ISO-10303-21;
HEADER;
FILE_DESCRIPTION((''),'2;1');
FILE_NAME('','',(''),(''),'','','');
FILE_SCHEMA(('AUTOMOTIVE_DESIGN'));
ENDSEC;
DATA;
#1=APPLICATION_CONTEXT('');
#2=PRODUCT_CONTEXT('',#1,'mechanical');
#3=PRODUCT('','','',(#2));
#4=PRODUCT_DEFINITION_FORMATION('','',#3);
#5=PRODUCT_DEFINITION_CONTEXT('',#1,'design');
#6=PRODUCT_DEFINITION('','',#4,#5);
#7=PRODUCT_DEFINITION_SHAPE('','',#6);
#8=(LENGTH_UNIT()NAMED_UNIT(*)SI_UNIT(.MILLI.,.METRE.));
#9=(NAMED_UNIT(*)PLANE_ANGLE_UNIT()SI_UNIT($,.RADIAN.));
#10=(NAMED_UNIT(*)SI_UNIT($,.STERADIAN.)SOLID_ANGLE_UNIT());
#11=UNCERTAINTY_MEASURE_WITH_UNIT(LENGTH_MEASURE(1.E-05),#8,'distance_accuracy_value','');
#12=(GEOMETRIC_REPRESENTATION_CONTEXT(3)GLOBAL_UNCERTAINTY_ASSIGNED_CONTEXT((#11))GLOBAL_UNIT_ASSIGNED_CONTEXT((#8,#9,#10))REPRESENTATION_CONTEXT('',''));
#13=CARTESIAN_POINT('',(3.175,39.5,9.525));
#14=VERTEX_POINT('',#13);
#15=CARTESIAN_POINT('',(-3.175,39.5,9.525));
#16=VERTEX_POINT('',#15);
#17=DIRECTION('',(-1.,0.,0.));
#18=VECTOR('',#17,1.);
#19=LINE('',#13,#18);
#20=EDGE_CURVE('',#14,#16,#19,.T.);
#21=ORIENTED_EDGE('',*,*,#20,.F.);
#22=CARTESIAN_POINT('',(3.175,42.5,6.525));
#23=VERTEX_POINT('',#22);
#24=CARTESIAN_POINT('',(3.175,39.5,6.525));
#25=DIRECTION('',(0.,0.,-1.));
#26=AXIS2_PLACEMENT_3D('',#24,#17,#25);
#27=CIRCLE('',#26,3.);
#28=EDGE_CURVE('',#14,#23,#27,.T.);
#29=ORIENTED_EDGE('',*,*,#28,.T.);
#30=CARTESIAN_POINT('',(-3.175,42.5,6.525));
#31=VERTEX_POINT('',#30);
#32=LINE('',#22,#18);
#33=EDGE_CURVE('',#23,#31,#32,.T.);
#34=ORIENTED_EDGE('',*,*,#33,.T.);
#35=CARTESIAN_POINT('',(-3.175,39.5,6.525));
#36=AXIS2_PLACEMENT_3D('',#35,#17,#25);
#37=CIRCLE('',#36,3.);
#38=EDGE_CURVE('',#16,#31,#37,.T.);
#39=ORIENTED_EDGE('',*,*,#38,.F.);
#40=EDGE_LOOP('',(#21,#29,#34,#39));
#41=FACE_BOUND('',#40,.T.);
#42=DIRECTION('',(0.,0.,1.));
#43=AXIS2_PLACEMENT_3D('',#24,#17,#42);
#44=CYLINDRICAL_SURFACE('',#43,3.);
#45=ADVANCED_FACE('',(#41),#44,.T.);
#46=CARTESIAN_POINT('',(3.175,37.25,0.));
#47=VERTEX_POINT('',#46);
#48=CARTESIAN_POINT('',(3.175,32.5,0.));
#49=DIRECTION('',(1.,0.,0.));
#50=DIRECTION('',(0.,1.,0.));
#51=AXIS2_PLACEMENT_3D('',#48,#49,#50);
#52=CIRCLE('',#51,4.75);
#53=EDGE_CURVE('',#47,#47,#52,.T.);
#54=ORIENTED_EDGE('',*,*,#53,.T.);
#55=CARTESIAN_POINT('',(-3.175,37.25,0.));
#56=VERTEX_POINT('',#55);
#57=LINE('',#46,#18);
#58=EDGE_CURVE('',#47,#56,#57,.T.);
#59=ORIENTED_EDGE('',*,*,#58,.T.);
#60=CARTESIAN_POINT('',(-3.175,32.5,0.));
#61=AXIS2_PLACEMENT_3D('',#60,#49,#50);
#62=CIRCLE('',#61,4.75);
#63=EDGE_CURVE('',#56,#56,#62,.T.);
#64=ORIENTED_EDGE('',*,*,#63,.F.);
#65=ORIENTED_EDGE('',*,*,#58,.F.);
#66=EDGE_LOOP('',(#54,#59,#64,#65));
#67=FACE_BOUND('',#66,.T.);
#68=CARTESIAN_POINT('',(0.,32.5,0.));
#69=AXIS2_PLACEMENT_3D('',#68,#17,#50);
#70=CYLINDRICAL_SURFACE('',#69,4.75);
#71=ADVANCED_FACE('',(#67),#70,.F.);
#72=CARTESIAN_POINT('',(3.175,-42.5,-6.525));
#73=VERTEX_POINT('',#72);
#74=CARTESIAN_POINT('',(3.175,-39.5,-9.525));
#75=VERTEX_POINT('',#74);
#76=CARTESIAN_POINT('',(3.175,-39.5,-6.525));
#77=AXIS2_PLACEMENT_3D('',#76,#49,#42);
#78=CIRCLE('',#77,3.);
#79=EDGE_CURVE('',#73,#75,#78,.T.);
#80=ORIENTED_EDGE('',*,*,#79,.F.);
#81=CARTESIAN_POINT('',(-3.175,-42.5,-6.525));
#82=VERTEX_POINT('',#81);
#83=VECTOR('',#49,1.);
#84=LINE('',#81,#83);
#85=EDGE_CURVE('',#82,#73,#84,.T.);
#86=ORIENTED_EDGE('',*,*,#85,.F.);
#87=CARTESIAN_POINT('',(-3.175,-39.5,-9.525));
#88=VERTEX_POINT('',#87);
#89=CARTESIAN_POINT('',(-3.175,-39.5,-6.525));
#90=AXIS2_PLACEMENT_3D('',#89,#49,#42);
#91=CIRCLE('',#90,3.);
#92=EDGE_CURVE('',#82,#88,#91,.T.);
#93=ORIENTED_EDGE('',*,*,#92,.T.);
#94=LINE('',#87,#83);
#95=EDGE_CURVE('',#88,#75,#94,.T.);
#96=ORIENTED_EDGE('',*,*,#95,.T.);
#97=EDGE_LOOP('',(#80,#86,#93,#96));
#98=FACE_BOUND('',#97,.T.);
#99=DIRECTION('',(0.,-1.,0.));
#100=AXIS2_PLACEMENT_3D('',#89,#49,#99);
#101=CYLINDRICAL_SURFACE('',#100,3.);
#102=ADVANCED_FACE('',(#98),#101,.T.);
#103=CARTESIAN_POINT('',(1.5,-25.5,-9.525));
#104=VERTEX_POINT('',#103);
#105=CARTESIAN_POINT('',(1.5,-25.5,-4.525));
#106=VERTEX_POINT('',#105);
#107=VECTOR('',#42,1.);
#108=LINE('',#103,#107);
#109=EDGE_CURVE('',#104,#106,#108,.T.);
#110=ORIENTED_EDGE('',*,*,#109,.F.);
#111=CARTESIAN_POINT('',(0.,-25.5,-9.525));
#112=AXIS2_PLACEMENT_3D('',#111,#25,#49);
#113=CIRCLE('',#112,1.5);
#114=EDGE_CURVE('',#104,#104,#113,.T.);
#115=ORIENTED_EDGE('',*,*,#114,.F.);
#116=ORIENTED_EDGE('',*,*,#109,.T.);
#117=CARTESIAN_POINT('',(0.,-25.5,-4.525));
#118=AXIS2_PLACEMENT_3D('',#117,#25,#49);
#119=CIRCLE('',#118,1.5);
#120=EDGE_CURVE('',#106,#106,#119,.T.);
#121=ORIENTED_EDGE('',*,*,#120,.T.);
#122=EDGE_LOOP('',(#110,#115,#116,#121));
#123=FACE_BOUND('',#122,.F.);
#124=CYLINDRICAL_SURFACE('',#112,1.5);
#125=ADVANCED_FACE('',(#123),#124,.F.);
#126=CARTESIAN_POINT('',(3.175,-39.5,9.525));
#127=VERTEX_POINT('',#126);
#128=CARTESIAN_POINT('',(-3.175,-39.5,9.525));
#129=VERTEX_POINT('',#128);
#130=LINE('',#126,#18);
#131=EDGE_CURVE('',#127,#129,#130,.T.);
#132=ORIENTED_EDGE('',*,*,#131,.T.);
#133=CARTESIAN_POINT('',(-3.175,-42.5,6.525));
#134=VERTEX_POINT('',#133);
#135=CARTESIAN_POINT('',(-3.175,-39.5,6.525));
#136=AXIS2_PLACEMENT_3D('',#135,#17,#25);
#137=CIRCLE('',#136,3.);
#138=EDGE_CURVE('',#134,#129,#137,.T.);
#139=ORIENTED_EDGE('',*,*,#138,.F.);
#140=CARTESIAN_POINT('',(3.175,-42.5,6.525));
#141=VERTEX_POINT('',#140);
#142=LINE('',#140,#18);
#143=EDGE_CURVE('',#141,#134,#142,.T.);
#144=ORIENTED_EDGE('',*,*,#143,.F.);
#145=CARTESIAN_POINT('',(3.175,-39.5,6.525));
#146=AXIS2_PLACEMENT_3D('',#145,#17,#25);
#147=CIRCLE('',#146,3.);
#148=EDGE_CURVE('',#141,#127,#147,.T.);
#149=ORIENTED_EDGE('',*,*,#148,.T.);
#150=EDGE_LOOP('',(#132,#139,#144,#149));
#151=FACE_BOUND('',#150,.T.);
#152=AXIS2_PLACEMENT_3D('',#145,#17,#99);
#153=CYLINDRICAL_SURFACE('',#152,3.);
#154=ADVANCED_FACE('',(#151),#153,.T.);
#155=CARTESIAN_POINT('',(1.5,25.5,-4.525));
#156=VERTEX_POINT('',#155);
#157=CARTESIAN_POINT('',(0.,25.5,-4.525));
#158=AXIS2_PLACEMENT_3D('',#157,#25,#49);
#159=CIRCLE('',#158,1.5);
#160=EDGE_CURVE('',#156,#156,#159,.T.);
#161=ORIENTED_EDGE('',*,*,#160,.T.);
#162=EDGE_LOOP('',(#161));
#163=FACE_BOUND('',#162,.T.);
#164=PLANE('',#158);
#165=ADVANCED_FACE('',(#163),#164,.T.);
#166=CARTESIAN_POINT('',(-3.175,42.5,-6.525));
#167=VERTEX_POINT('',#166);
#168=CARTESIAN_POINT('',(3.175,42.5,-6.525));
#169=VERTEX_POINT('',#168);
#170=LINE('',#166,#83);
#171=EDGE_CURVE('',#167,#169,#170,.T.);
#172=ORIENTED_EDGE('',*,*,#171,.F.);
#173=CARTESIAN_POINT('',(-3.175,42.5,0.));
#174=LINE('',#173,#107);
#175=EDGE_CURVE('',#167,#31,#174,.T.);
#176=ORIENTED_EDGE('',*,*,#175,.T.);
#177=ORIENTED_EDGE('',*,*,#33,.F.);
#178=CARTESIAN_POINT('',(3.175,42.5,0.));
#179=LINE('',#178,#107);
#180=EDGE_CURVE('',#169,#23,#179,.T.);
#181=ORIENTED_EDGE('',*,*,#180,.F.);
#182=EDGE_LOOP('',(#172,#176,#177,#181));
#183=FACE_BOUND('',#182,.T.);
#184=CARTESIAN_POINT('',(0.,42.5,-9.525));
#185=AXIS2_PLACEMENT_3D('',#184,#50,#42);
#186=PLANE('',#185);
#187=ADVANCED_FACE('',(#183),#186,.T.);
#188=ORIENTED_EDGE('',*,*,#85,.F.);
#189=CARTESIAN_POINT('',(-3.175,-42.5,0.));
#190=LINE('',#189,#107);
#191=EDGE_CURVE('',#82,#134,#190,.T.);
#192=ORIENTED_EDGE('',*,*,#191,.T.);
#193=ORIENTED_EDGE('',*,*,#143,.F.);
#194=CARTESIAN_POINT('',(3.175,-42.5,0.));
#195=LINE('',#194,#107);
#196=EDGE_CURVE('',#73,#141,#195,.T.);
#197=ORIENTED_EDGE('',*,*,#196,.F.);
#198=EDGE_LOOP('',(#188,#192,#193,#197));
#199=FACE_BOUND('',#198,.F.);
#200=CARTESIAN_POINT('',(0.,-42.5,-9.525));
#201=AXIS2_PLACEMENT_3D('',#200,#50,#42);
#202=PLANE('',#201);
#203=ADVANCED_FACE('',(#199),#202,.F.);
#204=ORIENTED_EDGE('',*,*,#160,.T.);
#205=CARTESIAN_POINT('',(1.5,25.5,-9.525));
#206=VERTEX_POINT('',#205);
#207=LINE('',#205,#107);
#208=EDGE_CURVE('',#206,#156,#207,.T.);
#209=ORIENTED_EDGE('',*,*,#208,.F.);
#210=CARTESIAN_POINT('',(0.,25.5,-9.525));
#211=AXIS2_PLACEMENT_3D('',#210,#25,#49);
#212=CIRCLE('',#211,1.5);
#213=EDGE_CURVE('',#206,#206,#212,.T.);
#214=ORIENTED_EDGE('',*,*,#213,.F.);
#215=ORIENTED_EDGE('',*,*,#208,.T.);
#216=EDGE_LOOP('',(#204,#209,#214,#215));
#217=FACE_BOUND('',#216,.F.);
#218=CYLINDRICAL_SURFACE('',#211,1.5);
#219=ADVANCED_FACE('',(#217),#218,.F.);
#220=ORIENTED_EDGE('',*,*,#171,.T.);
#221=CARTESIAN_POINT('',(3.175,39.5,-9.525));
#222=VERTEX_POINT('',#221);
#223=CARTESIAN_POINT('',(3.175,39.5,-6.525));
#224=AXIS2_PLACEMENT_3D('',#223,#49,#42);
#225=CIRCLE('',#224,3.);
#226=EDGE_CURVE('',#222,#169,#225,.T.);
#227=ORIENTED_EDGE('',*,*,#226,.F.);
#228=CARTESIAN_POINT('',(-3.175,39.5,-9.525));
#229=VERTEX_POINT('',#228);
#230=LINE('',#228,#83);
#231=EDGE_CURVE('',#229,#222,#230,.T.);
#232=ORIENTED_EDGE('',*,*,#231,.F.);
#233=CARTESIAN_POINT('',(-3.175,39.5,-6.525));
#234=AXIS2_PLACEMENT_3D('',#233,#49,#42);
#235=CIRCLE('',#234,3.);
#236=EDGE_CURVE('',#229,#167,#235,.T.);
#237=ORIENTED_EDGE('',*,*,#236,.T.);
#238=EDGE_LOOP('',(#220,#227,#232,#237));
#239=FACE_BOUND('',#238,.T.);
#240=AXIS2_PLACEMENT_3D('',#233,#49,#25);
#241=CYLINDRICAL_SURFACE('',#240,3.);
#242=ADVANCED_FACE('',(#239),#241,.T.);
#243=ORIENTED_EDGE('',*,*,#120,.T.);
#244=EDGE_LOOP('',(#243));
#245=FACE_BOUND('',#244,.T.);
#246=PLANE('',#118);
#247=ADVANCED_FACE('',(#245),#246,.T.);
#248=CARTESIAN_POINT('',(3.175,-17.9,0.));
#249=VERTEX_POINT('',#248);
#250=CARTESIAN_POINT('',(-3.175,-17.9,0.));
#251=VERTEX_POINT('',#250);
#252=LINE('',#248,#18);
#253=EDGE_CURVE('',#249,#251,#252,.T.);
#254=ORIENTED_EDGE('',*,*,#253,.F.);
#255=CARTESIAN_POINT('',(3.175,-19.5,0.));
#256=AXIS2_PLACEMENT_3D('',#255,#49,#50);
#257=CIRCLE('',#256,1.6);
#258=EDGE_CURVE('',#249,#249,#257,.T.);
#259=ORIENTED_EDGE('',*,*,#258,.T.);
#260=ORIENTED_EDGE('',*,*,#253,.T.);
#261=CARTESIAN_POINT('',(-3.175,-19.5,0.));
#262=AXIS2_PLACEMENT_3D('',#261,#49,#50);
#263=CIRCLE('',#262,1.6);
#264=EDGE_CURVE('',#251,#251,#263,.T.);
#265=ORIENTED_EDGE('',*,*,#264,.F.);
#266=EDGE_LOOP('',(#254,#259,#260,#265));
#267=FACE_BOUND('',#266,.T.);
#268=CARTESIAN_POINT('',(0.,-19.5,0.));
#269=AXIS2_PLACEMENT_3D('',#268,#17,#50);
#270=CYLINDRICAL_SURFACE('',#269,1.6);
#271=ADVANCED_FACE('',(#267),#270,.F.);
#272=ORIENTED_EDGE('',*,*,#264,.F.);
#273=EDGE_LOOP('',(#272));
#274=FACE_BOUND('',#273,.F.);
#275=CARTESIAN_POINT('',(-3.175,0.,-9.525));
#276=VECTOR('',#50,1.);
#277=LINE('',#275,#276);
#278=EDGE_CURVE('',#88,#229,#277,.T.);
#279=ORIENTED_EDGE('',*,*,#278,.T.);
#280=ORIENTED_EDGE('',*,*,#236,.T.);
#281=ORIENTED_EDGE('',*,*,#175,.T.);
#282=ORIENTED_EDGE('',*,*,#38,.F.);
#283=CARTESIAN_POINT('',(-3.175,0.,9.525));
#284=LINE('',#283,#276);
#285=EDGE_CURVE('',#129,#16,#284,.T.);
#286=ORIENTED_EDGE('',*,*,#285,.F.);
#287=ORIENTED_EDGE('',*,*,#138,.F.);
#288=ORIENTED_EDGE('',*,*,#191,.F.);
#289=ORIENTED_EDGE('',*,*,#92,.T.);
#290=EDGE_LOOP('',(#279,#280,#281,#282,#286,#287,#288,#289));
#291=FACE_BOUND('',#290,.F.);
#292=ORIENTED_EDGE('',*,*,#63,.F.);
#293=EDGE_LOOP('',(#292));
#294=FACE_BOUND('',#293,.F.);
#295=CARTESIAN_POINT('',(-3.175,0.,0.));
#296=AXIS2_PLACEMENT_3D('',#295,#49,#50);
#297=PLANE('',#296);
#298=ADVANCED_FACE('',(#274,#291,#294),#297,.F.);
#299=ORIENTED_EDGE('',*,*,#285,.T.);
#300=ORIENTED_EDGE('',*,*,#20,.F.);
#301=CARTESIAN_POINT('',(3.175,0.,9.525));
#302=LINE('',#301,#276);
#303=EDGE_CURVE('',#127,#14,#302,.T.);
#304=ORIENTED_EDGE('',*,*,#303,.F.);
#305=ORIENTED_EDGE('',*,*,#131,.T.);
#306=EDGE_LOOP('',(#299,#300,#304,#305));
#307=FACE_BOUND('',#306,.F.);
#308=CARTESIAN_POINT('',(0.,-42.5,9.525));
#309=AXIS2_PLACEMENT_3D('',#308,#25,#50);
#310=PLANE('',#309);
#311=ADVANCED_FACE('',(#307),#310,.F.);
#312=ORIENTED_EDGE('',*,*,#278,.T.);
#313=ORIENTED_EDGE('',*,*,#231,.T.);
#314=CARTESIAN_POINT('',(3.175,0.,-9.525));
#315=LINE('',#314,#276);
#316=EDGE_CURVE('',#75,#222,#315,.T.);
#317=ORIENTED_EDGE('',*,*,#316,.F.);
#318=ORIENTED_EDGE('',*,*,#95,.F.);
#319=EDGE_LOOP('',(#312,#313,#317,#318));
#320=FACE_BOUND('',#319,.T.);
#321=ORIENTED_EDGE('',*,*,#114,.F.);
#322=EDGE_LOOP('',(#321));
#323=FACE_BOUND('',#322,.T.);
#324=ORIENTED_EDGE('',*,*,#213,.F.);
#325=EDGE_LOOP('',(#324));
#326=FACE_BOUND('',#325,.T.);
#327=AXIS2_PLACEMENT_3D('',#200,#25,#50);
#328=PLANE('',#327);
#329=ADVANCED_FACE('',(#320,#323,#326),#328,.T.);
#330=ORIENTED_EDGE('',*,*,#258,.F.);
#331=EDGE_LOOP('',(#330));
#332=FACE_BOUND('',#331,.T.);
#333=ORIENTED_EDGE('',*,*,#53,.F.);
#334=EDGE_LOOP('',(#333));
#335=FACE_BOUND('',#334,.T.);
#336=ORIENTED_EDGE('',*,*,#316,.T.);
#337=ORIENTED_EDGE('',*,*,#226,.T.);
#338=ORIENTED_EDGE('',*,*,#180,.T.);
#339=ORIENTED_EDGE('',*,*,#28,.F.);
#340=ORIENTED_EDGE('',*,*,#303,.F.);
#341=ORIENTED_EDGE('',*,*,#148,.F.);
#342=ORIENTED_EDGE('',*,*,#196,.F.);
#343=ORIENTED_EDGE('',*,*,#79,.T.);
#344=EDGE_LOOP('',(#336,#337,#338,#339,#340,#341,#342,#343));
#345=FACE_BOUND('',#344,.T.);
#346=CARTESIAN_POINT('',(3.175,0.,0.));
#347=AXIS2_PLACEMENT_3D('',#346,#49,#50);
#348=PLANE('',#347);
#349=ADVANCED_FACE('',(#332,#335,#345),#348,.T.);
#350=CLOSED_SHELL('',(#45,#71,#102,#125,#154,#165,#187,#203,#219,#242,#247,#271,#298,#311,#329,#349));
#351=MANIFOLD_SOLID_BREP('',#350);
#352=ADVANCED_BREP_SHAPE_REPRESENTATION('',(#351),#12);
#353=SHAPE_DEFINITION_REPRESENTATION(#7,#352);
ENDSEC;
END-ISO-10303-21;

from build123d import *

# Parameters (mm, degrees)
F0_W     = 85
F0_H     = 19.05
F0_R     = 1.6
F0_R_2   = 4.75
F1_DEPTH = 3.175
F2_R     = 1.5
F3_DEPTH = 5
F4_R     = 3


with BuildPart() as f1:
    # F0 (on Right) → F1 (new body, symmetric)
    with BuildSketch(Plane.YZ):
        Rectangle(F0_W, F0_H)
        with Locations((-19.5, 0)):
            Circle(F0_R, mode=Mode.SUBTRACT)
        with Locations((32.5, 0)):
            Circle(F0_R_2, mode=Mode.SUBTRACT)
    extrude(amount=F1_DEPTH, both=True)

    # F2 (on face) → F3 (cut)
    with BuildSketch(Plane(origin=(0, 0, -9.525), x_dir=(1, 0, 0), z_dir=(0, 0, -1))):
        with Locations((0, 25.5)):
            Circle(F2_R)
        with Locations((0, -25.5)):
            Circle(F2_R)
    extrude(amount=-F3_DEPTH, mode=Mode.SUBTRACT)

    # F4
    f4_edges = [f1.edges().sort_by_distance(p)[0] for p in [
        (0, -42.5, -9.525),
        (0, -42.5, 9.525),
        (0, 42.5, 9.525),
        (0, 42.5, -9.525),
    ]]
    fillet(f4_edges, radius=F4_R)


solid = f1.part
